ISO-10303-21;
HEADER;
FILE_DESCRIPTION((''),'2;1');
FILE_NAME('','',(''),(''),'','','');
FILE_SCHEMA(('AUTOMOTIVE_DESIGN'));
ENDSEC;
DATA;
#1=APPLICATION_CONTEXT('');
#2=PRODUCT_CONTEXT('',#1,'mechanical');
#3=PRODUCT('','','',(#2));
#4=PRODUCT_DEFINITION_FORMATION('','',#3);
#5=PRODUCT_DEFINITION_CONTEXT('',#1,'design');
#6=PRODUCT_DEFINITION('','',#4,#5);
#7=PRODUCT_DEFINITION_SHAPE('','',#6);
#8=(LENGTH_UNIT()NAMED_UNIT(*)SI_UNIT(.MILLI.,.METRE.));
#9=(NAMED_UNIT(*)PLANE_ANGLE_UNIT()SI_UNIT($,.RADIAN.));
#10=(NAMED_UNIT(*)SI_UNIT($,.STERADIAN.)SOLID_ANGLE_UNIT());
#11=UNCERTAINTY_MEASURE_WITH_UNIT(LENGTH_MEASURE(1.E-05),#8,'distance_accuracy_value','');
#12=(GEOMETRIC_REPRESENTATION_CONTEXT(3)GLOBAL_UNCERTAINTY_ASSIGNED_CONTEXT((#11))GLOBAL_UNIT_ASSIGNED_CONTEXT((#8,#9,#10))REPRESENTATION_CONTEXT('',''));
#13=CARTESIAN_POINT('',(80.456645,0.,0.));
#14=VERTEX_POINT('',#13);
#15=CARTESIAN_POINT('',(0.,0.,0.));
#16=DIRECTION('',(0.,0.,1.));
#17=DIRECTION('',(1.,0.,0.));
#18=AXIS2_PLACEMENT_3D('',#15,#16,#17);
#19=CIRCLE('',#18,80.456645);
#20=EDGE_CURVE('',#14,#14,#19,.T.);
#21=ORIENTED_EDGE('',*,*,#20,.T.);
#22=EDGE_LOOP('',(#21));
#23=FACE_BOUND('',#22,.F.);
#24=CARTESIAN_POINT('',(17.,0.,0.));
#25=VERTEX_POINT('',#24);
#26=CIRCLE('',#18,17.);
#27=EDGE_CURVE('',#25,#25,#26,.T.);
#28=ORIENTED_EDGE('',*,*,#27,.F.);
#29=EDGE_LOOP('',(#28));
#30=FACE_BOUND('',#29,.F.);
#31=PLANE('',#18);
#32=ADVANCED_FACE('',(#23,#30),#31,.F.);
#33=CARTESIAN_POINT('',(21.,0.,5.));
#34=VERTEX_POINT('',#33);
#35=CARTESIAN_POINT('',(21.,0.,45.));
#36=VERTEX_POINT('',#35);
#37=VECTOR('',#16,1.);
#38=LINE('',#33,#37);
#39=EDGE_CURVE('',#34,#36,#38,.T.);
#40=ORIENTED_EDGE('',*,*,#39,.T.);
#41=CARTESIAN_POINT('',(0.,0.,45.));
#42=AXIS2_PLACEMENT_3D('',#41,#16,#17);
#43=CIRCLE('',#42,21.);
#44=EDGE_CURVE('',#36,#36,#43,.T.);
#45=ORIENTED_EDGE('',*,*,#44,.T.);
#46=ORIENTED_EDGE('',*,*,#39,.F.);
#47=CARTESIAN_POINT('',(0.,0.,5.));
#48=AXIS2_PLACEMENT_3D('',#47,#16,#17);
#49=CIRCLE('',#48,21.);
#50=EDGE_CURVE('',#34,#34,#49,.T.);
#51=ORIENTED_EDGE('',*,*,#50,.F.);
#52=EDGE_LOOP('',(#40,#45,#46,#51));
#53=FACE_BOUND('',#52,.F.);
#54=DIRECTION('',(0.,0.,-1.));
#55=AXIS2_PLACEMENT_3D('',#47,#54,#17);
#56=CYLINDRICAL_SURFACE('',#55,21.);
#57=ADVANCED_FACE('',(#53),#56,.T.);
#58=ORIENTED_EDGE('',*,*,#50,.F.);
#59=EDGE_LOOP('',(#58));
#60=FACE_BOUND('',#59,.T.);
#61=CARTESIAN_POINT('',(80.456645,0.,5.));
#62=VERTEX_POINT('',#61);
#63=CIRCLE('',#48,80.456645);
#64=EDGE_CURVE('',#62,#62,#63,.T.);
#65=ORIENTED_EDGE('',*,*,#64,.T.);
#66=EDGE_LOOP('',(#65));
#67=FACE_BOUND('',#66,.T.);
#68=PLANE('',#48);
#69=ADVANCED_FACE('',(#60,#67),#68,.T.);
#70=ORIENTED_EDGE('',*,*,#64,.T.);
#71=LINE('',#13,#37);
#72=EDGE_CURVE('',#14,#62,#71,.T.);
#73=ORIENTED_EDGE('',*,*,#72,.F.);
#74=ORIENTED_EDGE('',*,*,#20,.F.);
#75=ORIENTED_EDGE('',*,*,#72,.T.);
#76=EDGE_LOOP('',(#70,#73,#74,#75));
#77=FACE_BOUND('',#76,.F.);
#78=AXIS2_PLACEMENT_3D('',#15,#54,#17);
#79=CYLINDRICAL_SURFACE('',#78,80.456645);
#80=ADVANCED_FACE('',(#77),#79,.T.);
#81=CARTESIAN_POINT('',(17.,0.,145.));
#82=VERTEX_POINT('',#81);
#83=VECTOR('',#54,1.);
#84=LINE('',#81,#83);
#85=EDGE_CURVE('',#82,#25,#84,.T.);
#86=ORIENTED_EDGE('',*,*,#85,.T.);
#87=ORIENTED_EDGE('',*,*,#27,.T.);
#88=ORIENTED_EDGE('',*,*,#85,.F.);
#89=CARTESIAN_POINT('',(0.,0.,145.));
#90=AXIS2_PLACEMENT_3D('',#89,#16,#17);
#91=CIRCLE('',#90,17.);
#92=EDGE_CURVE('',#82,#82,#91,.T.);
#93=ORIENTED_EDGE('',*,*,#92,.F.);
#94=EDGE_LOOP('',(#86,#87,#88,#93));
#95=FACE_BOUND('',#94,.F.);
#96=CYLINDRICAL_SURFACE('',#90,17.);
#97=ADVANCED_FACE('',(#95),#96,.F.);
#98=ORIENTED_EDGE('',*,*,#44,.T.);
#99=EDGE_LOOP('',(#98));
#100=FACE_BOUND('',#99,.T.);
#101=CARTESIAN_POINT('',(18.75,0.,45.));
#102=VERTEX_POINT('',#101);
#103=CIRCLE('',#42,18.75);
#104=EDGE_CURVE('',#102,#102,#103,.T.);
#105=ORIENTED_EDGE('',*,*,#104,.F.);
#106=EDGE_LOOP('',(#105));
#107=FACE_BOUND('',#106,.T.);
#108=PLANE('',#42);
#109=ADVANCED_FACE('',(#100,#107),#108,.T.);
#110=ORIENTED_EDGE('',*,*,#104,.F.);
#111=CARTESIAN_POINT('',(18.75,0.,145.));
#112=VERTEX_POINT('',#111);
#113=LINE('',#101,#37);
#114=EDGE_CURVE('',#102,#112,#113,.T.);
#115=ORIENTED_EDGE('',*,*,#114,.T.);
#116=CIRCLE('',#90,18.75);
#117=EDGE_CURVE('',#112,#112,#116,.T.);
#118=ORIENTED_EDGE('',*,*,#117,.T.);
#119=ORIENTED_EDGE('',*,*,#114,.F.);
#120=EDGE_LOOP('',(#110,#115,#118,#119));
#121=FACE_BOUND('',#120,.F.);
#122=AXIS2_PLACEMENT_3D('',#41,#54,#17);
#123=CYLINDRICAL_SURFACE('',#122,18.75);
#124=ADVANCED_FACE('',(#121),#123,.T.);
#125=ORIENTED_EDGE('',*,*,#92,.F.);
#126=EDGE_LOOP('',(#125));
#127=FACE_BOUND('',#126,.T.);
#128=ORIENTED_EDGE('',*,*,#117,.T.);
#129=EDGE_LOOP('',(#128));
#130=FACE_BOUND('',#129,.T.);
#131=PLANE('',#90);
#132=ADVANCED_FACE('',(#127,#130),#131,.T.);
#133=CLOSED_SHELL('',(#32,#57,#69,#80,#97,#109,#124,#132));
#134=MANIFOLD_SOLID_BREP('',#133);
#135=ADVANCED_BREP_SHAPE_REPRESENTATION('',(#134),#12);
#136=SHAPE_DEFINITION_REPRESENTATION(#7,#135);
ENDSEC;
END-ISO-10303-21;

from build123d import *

# Parameters (mm, degrees)
SKETCH019_R     = 80.456645
PAD008_DEPTH    = 5
SKETCH020_R     = 21
PAD009_DEPTH    = 40
SKETCH021_R     = 18.75
PAD010_DEPTH    = 100
SKETCH022_R     = 17
POCKET011_DEPTH = 145.001


with BuildPart() as part:
    # Sketch019 → Pad008 (new body)
    with BuildSketch(Plane.XY):
        Circle(SKETCH019_R)
    extrude(amount=PAD008_DEPTH)

    # Sketch020 (on Face3 of Pad008) → Pad009 (join)
    with BuildSketch(Plane.XY.offset(5)):
        Circle(SKETCH020_R)
    extrude(amount=PAD009_DEPTH)

    # Sketch021 (on Face5 of Pad009) → Pad010 (join)
    with BuildSketch(Plane.XY.offset(45)):
        Circle(SKETCH021_R)
    extrude(amount=PAD010_DEPTH)

    # Sketch022 (on Face7 of Pad010) → Pocket011 (cut, through all)
    with BuildSketch(Plane.XY.offset(145)):
        Circle(SKETCH022_R)
    extrude(amount=-POCKET011_DEPTH, mode=Mode.SUBTRACT)


solid = part.part
